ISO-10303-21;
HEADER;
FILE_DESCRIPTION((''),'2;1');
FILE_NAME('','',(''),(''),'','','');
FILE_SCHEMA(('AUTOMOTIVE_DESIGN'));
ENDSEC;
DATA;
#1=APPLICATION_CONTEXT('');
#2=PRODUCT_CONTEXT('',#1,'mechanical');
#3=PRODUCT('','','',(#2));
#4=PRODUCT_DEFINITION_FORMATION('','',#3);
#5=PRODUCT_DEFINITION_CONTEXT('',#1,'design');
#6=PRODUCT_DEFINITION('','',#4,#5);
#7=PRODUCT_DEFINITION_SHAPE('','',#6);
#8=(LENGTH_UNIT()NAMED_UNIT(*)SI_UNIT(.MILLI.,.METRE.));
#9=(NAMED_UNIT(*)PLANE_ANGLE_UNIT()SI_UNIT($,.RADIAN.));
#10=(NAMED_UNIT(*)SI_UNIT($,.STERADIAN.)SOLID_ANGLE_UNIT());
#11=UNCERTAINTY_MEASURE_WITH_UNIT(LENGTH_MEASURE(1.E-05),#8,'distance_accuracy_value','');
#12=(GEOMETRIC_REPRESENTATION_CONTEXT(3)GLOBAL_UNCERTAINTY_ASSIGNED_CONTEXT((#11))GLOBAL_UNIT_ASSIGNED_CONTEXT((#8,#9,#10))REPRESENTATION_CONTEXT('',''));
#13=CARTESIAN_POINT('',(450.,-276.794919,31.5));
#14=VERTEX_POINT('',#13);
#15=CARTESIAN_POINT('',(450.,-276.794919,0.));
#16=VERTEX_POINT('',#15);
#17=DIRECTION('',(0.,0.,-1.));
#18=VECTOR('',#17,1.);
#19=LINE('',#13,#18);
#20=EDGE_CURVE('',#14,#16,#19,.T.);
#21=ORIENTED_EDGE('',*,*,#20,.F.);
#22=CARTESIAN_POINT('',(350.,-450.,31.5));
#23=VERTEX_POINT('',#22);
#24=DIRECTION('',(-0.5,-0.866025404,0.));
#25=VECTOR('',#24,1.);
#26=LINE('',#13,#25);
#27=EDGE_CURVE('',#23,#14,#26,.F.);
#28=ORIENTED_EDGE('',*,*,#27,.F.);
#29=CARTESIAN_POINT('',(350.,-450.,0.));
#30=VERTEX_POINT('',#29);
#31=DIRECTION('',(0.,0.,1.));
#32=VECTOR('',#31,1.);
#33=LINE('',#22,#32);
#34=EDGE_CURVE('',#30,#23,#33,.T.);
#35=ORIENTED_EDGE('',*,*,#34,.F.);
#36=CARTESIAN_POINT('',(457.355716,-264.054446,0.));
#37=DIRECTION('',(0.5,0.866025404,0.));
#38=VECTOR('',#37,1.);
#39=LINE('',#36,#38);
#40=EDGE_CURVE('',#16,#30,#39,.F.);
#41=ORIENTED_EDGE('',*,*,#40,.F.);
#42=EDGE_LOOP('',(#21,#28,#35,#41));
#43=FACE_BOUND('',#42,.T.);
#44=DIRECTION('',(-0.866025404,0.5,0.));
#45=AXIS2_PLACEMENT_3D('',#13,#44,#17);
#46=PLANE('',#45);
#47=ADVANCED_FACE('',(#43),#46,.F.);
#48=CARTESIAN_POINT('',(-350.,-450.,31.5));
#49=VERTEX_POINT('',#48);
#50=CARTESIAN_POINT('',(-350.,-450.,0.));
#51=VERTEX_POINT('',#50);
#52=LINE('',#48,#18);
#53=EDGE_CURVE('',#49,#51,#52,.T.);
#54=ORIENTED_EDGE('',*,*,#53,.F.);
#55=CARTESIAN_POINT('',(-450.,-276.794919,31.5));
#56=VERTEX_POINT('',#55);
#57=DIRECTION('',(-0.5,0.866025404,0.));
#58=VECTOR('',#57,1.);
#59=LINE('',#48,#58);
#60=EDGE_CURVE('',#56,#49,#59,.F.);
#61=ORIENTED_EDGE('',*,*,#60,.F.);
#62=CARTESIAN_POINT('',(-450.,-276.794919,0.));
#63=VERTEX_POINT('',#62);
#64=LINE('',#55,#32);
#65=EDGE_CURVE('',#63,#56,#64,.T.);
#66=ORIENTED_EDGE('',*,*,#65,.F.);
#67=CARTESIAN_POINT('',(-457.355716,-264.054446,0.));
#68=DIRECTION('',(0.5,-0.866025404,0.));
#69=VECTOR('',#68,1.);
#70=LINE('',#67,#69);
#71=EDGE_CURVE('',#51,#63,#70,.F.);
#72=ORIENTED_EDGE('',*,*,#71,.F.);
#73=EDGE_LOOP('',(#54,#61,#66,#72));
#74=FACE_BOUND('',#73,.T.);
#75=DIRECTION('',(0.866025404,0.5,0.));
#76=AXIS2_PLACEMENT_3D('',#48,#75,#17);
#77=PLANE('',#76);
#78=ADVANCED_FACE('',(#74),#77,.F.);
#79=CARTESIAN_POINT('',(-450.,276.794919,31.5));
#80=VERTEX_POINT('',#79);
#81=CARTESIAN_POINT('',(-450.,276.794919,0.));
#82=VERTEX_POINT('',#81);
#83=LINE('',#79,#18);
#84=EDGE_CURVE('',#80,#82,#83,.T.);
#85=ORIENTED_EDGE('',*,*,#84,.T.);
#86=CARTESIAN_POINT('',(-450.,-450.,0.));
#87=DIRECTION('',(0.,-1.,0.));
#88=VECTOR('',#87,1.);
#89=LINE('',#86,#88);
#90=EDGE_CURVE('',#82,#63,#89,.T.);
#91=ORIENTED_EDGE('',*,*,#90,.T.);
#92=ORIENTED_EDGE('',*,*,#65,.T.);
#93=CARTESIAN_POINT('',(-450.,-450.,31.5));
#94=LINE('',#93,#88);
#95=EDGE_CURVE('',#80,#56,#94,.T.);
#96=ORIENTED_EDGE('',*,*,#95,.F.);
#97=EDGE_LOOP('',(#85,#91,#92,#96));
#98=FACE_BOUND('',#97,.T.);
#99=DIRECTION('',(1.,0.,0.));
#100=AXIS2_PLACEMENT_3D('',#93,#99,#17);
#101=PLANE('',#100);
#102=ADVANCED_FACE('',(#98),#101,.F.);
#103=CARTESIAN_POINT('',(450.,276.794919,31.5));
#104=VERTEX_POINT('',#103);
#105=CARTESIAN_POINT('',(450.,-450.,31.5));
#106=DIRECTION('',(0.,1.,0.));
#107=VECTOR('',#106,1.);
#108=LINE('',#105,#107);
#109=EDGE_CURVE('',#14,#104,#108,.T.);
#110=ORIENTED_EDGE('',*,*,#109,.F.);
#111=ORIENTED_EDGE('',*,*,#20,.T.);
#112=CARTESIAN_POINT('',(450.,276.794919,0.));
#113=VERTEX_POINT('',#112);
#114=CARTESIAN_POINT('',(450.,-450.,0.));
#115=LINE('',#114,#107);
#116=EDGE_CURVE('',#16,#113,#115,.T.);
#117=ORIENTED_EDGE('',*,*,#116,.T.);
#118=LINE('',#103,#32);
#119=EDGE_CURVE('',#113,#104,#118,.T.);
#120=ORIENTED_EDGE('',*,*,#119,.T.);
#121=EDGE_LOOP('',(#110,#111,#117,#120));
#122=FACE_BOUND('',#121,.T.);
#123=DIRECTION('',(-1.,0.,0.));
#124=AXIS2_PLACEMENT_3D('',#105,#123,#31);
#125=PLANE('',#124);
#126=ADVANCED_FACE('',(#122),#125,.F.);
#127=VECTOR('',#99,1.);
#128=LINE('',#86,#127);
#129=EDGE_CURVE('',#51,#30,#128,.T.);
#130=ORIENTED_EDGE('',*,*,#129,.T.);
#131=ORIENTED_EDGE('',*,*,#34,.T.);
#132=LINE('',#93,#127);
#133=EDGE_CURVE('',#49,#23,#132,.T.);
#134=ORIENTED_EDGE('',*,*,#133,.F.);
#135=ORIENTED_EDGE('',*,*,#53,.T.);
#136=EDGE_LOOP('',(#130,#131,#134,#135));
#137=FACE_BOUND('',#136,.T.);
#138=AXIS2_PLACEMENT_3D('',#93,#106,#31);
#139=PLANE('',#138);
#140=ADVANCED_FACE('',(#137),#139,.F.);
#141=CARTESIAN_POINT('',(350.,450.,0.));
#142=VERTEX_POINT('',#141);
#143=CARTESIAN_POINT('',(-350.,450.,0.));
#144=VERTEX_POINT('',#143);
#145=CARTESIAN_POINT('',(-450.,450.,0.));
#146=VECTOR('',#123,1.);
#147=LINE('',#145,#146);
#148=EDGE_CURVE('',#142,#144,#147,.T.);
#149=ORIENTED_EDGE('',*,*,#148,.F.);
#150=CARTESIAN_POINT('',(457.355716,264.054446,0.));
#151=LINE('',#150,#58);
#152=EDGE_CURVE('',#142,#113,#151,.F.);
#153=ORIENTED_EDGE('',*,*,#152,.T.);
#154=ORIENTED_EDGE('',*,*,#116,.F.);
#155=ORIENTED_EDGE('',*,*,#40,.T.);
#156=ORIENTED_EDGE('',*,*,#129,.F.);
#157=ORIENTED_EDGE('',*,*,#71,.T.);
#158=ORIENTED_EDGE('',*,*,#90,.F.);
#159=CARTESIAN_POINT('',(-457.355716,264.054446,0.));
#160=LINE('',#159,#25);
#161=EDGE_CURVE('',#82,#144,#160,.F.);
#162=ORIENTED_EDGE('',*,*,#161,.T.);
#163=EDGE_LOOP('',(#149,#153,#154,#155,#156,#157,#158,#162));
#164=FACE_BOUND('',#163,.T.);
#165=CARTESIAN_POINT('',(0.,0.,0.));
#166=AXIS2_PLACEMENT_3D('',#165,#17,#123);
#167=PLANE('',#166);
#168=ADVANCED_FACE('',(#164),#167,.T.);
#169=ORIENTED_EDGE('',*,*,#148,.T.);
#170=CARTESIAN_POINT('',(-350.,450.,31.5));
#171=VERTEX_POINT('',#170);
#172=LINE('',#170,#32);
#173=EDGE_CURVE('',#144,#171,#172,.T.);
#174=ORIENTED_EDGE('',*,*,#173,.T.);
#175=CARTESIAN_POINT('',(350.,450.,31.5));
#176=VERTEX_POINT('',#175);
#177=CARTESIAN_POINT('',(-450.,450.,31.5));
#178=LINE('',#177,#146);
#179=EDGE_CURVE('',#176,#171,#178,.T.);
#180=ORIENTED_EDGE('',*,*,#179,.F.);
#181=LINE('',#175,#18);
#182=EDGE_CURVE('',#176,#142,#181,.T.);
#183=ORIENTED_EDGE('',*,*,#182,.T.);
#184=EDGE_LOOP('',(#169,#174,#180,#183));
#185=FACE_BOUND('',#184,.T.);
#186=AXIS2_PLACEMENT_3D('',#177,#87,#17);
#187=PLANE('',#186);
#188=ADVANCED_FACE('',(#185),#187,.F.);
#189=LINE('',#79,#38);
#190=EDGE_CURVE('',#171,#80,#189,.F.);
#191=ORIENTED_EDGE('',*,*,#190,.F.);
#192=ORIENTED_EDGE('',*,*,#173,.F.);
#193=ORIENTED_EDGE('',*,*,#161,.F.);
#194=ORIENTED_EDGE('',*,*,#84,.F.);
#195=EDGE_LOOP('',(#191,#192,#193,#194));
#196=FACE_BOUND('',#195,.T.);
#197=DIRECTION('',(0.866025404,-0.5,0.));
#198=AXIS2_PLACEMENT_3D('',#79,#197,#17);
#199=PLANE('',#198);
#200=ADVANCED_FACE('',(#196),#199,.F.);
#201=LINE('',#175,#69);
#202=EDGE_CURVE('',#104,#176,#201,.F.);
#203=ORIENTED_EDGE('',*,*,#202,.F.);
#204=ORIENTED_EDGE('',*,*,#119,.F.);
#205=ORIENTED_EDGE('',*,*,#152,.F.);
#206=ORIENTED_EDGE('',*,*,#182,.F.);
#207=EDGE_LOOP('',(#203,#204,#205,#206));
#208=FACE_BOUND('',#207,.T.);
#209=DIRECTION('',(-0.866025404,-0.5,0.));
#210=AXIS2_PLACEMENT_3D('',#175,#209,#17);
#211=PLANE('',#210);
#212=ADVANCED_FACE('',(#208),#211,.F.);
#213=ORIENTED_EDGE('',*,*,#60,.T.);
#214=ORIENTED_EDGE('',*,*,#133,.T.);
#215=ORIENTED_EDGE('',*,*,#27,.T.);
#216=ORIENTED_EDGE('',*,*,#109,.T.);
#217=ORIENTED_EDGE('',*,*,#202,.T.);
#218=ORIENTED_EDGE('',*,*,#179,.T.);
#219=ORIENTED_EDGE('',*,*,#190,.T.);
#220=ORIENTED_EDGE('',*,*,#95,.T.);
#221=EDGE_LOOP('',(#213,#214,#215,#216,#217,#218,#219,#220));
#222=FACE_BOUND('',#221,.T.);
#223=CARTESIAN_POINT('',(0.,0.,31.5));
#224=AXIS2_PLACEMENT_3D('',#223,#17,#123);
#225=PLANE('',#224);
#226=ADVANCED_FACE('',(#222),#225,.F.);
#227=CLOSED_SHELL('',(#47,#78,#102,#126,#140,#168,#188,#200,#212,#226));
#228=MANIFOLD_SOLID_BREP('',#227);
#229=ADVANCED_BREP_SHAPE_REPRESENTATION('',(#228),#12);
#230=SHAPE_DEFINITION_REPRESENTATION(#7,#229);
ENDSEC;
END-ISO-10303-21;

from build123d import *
from OCP.BRepFilletAPI import BRepFilletAPI_MakeChamfer

# Parameters (mm, degrees)
SCHIZZO1_W                   = 900
SCHIZZO1_H                   = 900
ESTRUSIONE_ESTRUSIONE1_DEPTH = 31.5
SMUSSO1_SIZE                 = 100
SMUSSO1_SIZE2                = 173.205080757
SMUSSO2_SIZE                 = 100
SMUSSO2_SIZE2                = 173.205080757


with BuildPart() as part:
    # Schizzo1 → Estrusione-Estrusione1 (new body)
    with BuildSketch(Plane.XY):
        Rectangle(SCHIZZO1_W, SCHIZZO1_H)
    extrude(amount=ESTRUSIONE_ESTRUSIONE1_DEPTH)

    # Smusso1: one chamfer whose edges measure the first distance from different faces: ONE call of the kernel's chamfer builder (chamfer() names one face for all edges)
    smusso1_edges_1 = [part.edges().sort_by_distance(p)[0] for p in [
        (450, -450, 15.75),
    ]]
    smusso1_side_1 = [part.faces().sort_by_distance(p)[0] for p in [
        (0, -450, 15.75),
    ]]
    smusso1_edges_2 = [part.edges().sort_by_distance(p)[0] for p in [
        (-450, 450, 15.75),
    ]]
    smusso1_side_2 = [part.faces().sort_by_distance(p)[0] for p in [
        (0, 450, 15.75),
    ]]
    smusso1 = BRepFilletAPI_MakeChamfer(part.part.solid().wrapped)
    for e in smusso1_edges_1:
        smusso1.Add(SMUSSO1_SIZE, SMUSSO1_SIZE2, e.wrapped, smusso1_side_1[0].wrapped)  # the first distance lies on this face
    for e in smusso1_edges_2:
        smusso1.Add(SMUSSO1_SIZE, SMUSSO1_SIZE2, e.wrapped, smusso1_side_2[0].wrapped)  # the first distance lies on this face
    add(Compound.cast(smusso1.Shape()), mode=Mode.REPLACE)

    # Smusso2: one chamfer whose edges measure the first distance from different faces: ONE call of the kernel's chamfer builder (chamfer() names one face for all edges)
    smusso2_edges_1 = [part.edges().sort_by_distance(p)[0] for p in [
        (-450, -450, 15.75),
    ]]
    smusso2_side_1 = [part.faces().sort_by_distance(p)[0] for p in [
        (-50, -450, 15.75),
    ]]
    smusso2_edges_2 = [part.edges().sort_by_distance(p)[0] for p in [
        (450, 450, 15.75),
    ]]
    smusso2_side_2 = [part.faces().sort_by_distance(p)[0] for p in [
        (50, 450, 15.75),
    ]]
    smusso2 = BRepFilletAPI_MakeChamfer(part.part.solid().wrapped)
    for e in smusso2_edges_1:
        smusso2.Add(SMUSSO2_SIZE, SMUSSO2_SIZE2, e.wrapped, smusso2_side_1[0].wrapped)  # the first distance lies on this face
    for e in smusso2_edges_2:
        smusso2.Add(SMUSSO2_SIZE, SMUSSO2_SIZE2, e.wrapped, smusso2_side_2[0].wrapped)  # the first distance lies on this face
    add(Compound.cast(smusso2.Shape()), mode=Mode.REPLACE)


solid = part.part
